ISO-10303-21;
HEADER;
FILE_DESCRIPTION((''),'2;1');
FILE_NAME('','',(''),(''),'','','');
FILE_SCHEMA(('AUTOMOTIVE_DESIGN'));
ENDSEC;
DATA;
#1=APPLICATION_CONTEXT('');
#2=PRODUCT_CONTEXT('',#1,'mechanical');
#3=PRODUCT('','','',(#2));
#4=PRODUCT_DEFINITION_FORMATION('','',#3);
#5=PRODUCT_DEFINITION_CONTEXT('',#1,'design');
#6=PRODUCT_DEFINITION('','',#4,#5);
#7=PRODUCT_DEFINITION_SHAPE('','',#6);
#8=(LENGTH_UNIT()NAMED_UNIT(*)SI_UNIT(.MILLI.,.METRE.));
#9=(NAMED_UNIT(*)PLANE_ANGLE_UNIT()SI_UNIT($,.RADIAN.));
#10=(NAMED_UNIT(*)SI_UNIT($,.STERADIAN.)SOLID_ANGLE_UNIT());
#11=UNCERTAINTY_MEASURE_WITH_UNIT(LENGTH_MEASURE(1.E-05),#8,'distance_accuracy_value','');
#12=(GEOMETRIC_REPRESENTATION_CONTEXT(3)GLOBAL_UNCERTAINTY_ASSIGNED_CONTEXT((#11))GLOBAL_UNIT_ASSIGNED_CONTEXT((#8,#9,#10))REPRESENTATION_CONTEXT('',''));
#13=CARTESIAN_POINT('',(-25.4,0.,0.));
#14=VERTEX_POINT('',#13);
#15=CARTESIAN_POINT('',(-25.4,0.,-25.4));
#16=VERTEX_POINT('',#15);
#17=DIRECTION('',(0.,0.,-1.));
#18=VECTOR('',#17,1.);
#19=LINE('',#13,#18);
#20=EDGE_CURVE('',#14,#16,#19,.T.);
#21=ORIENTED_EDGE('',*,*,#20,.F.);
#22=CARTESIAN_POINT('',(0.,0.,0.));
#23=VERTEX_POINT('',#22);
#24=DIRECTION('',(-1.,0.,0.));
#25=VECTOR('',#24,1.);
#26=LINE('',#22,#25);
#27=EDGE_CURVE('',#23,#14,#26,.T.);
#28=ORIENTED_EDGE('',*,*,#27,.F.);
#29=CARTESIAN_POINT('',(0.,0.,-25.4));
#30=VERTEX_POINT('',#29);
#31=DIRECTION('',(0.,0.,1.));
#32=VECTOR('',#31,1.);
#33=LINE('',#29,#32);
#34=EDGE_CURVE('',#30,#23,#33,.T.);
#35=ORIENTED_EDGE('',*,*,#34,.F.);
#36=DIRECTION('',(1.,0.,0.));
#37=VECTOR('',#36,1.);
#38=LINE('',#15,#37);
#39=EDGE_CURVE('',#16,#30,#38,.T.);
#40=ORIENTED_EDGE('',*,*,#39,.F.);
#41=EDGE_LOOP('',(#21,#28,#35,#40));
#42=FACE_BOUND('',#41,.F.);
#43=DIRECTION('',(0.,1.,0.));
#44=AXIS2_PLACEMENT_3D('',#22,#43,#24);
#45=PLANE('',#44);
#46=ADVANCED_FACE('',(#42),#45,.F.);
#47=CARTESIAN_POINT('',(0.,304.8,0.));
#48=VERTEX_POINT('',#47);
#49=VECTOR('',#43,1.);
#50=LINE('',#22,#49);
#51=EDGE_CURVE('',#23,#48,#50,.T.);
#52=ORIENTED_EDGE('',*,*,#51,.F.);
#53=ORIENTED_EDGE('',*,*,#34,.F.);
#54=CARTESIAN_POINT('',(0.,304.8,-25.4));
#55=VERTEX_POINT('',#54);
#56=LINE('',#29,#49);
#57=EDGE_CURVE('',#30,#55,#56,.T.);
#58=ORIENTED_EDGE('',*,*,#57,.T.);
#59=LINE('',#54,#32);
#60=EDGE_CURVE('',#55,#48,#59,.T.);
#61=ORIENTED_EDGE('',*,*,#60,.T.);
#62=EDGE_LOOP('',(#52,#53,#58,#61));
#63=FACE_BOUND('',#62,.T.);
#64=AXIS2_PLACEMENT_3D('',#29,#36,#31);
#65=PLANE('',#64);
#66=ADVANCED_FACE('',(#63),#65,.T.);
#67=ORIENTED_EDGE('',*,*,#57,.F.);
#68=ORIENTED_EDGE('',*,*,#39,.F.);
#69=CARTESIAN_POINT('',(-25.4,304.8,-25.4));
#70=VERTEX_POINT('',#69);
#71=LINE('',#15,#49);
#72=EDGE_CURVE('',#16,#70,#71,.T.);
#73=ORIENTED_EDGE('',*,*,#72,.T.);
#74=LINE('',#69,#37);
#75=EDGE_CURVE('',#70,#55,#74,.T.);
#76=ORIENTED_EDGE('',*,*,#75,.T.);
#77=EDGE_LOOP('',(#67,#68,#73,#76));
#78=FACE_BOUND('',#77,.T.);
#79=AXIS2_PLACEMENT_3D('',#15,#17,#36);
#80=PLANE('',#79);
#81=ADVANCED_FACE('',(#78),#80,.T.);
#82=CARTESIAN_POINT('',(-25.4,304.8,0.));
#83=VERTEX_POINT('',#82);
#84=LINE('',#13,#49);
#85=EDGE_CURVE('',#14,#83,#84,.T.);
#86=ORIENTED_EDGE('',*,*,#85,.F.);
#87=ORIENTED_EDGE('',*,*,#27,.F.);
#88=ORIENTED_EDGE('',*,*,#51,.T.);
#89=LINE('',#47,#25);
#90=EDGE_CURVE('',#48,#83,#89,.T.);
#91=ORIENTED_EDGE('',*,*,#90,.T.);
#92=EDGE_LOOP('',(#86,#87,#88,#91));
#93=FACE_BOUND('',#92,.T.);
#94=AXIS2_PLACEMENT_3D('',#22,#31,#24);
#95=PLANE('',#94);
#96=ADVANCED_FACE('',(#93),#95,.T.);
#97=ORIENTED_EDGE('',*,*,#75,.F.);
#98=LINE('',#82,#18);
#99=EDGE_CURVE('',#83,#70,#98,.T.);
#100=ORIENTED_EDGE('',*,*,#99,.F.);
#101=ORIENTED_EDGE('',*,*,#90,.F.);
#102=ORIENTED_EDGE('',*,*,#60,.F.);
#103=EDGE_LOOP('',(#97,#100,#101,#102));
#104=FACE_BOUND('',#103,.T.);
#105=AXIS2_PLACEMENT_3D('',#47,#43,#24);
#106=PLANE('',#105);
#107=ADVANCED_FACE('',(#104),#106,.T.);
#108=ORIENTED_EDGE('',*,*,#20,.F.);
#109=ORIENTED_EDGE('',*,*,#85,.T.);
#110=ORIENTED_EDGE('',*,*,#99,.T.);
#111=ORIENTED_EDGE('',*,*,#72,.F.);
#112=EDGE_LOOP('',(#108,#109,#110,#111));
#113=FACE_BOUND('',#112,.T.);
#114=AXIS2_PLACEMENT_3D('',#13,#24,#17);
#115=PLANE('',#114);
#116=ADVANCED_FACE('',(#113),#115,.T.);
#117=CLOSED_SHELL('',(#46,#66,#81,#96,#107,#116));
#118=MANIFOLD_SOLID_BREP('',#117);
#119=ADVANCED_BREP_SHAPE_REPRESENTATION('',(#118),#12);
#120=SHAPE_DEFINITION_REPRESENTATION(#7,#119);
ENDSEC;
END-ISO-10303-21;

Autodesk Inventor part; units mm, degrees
ref_plane "YZ Plane" through (0, 0, 0) normal (1, 0, 0) x (0, 1, 0)
ref_plane "XZ Plane" through (0, 0, 0) normal (0, 1, 0) x (-1, 0, 0)
ref_plane "XY Plane" through (0, 0, 0) normal (0, 0, 1) x (1, 0, 0)
sketch "Sketch1" plane through (0, 0, 0) normal (0, 1, 0) x (-1, 0, 0)
  line L0 (0, 0) -> (25.4, 0)
  line L1 (25.4, 0) -> (25.4, -25.4)
  line L2 (25.4, -25.4) -> (0, -25.4)
  line L3 (0, -25.4) -> (0, 0)
  dimension "d0" = 25.4
  dimension "d1" = 25.4
extrude "Extrusion1" add sketch "Sketch1" along normal blind 304.8
properties part number "Beam_Supports" material "Aluminum 6061"
